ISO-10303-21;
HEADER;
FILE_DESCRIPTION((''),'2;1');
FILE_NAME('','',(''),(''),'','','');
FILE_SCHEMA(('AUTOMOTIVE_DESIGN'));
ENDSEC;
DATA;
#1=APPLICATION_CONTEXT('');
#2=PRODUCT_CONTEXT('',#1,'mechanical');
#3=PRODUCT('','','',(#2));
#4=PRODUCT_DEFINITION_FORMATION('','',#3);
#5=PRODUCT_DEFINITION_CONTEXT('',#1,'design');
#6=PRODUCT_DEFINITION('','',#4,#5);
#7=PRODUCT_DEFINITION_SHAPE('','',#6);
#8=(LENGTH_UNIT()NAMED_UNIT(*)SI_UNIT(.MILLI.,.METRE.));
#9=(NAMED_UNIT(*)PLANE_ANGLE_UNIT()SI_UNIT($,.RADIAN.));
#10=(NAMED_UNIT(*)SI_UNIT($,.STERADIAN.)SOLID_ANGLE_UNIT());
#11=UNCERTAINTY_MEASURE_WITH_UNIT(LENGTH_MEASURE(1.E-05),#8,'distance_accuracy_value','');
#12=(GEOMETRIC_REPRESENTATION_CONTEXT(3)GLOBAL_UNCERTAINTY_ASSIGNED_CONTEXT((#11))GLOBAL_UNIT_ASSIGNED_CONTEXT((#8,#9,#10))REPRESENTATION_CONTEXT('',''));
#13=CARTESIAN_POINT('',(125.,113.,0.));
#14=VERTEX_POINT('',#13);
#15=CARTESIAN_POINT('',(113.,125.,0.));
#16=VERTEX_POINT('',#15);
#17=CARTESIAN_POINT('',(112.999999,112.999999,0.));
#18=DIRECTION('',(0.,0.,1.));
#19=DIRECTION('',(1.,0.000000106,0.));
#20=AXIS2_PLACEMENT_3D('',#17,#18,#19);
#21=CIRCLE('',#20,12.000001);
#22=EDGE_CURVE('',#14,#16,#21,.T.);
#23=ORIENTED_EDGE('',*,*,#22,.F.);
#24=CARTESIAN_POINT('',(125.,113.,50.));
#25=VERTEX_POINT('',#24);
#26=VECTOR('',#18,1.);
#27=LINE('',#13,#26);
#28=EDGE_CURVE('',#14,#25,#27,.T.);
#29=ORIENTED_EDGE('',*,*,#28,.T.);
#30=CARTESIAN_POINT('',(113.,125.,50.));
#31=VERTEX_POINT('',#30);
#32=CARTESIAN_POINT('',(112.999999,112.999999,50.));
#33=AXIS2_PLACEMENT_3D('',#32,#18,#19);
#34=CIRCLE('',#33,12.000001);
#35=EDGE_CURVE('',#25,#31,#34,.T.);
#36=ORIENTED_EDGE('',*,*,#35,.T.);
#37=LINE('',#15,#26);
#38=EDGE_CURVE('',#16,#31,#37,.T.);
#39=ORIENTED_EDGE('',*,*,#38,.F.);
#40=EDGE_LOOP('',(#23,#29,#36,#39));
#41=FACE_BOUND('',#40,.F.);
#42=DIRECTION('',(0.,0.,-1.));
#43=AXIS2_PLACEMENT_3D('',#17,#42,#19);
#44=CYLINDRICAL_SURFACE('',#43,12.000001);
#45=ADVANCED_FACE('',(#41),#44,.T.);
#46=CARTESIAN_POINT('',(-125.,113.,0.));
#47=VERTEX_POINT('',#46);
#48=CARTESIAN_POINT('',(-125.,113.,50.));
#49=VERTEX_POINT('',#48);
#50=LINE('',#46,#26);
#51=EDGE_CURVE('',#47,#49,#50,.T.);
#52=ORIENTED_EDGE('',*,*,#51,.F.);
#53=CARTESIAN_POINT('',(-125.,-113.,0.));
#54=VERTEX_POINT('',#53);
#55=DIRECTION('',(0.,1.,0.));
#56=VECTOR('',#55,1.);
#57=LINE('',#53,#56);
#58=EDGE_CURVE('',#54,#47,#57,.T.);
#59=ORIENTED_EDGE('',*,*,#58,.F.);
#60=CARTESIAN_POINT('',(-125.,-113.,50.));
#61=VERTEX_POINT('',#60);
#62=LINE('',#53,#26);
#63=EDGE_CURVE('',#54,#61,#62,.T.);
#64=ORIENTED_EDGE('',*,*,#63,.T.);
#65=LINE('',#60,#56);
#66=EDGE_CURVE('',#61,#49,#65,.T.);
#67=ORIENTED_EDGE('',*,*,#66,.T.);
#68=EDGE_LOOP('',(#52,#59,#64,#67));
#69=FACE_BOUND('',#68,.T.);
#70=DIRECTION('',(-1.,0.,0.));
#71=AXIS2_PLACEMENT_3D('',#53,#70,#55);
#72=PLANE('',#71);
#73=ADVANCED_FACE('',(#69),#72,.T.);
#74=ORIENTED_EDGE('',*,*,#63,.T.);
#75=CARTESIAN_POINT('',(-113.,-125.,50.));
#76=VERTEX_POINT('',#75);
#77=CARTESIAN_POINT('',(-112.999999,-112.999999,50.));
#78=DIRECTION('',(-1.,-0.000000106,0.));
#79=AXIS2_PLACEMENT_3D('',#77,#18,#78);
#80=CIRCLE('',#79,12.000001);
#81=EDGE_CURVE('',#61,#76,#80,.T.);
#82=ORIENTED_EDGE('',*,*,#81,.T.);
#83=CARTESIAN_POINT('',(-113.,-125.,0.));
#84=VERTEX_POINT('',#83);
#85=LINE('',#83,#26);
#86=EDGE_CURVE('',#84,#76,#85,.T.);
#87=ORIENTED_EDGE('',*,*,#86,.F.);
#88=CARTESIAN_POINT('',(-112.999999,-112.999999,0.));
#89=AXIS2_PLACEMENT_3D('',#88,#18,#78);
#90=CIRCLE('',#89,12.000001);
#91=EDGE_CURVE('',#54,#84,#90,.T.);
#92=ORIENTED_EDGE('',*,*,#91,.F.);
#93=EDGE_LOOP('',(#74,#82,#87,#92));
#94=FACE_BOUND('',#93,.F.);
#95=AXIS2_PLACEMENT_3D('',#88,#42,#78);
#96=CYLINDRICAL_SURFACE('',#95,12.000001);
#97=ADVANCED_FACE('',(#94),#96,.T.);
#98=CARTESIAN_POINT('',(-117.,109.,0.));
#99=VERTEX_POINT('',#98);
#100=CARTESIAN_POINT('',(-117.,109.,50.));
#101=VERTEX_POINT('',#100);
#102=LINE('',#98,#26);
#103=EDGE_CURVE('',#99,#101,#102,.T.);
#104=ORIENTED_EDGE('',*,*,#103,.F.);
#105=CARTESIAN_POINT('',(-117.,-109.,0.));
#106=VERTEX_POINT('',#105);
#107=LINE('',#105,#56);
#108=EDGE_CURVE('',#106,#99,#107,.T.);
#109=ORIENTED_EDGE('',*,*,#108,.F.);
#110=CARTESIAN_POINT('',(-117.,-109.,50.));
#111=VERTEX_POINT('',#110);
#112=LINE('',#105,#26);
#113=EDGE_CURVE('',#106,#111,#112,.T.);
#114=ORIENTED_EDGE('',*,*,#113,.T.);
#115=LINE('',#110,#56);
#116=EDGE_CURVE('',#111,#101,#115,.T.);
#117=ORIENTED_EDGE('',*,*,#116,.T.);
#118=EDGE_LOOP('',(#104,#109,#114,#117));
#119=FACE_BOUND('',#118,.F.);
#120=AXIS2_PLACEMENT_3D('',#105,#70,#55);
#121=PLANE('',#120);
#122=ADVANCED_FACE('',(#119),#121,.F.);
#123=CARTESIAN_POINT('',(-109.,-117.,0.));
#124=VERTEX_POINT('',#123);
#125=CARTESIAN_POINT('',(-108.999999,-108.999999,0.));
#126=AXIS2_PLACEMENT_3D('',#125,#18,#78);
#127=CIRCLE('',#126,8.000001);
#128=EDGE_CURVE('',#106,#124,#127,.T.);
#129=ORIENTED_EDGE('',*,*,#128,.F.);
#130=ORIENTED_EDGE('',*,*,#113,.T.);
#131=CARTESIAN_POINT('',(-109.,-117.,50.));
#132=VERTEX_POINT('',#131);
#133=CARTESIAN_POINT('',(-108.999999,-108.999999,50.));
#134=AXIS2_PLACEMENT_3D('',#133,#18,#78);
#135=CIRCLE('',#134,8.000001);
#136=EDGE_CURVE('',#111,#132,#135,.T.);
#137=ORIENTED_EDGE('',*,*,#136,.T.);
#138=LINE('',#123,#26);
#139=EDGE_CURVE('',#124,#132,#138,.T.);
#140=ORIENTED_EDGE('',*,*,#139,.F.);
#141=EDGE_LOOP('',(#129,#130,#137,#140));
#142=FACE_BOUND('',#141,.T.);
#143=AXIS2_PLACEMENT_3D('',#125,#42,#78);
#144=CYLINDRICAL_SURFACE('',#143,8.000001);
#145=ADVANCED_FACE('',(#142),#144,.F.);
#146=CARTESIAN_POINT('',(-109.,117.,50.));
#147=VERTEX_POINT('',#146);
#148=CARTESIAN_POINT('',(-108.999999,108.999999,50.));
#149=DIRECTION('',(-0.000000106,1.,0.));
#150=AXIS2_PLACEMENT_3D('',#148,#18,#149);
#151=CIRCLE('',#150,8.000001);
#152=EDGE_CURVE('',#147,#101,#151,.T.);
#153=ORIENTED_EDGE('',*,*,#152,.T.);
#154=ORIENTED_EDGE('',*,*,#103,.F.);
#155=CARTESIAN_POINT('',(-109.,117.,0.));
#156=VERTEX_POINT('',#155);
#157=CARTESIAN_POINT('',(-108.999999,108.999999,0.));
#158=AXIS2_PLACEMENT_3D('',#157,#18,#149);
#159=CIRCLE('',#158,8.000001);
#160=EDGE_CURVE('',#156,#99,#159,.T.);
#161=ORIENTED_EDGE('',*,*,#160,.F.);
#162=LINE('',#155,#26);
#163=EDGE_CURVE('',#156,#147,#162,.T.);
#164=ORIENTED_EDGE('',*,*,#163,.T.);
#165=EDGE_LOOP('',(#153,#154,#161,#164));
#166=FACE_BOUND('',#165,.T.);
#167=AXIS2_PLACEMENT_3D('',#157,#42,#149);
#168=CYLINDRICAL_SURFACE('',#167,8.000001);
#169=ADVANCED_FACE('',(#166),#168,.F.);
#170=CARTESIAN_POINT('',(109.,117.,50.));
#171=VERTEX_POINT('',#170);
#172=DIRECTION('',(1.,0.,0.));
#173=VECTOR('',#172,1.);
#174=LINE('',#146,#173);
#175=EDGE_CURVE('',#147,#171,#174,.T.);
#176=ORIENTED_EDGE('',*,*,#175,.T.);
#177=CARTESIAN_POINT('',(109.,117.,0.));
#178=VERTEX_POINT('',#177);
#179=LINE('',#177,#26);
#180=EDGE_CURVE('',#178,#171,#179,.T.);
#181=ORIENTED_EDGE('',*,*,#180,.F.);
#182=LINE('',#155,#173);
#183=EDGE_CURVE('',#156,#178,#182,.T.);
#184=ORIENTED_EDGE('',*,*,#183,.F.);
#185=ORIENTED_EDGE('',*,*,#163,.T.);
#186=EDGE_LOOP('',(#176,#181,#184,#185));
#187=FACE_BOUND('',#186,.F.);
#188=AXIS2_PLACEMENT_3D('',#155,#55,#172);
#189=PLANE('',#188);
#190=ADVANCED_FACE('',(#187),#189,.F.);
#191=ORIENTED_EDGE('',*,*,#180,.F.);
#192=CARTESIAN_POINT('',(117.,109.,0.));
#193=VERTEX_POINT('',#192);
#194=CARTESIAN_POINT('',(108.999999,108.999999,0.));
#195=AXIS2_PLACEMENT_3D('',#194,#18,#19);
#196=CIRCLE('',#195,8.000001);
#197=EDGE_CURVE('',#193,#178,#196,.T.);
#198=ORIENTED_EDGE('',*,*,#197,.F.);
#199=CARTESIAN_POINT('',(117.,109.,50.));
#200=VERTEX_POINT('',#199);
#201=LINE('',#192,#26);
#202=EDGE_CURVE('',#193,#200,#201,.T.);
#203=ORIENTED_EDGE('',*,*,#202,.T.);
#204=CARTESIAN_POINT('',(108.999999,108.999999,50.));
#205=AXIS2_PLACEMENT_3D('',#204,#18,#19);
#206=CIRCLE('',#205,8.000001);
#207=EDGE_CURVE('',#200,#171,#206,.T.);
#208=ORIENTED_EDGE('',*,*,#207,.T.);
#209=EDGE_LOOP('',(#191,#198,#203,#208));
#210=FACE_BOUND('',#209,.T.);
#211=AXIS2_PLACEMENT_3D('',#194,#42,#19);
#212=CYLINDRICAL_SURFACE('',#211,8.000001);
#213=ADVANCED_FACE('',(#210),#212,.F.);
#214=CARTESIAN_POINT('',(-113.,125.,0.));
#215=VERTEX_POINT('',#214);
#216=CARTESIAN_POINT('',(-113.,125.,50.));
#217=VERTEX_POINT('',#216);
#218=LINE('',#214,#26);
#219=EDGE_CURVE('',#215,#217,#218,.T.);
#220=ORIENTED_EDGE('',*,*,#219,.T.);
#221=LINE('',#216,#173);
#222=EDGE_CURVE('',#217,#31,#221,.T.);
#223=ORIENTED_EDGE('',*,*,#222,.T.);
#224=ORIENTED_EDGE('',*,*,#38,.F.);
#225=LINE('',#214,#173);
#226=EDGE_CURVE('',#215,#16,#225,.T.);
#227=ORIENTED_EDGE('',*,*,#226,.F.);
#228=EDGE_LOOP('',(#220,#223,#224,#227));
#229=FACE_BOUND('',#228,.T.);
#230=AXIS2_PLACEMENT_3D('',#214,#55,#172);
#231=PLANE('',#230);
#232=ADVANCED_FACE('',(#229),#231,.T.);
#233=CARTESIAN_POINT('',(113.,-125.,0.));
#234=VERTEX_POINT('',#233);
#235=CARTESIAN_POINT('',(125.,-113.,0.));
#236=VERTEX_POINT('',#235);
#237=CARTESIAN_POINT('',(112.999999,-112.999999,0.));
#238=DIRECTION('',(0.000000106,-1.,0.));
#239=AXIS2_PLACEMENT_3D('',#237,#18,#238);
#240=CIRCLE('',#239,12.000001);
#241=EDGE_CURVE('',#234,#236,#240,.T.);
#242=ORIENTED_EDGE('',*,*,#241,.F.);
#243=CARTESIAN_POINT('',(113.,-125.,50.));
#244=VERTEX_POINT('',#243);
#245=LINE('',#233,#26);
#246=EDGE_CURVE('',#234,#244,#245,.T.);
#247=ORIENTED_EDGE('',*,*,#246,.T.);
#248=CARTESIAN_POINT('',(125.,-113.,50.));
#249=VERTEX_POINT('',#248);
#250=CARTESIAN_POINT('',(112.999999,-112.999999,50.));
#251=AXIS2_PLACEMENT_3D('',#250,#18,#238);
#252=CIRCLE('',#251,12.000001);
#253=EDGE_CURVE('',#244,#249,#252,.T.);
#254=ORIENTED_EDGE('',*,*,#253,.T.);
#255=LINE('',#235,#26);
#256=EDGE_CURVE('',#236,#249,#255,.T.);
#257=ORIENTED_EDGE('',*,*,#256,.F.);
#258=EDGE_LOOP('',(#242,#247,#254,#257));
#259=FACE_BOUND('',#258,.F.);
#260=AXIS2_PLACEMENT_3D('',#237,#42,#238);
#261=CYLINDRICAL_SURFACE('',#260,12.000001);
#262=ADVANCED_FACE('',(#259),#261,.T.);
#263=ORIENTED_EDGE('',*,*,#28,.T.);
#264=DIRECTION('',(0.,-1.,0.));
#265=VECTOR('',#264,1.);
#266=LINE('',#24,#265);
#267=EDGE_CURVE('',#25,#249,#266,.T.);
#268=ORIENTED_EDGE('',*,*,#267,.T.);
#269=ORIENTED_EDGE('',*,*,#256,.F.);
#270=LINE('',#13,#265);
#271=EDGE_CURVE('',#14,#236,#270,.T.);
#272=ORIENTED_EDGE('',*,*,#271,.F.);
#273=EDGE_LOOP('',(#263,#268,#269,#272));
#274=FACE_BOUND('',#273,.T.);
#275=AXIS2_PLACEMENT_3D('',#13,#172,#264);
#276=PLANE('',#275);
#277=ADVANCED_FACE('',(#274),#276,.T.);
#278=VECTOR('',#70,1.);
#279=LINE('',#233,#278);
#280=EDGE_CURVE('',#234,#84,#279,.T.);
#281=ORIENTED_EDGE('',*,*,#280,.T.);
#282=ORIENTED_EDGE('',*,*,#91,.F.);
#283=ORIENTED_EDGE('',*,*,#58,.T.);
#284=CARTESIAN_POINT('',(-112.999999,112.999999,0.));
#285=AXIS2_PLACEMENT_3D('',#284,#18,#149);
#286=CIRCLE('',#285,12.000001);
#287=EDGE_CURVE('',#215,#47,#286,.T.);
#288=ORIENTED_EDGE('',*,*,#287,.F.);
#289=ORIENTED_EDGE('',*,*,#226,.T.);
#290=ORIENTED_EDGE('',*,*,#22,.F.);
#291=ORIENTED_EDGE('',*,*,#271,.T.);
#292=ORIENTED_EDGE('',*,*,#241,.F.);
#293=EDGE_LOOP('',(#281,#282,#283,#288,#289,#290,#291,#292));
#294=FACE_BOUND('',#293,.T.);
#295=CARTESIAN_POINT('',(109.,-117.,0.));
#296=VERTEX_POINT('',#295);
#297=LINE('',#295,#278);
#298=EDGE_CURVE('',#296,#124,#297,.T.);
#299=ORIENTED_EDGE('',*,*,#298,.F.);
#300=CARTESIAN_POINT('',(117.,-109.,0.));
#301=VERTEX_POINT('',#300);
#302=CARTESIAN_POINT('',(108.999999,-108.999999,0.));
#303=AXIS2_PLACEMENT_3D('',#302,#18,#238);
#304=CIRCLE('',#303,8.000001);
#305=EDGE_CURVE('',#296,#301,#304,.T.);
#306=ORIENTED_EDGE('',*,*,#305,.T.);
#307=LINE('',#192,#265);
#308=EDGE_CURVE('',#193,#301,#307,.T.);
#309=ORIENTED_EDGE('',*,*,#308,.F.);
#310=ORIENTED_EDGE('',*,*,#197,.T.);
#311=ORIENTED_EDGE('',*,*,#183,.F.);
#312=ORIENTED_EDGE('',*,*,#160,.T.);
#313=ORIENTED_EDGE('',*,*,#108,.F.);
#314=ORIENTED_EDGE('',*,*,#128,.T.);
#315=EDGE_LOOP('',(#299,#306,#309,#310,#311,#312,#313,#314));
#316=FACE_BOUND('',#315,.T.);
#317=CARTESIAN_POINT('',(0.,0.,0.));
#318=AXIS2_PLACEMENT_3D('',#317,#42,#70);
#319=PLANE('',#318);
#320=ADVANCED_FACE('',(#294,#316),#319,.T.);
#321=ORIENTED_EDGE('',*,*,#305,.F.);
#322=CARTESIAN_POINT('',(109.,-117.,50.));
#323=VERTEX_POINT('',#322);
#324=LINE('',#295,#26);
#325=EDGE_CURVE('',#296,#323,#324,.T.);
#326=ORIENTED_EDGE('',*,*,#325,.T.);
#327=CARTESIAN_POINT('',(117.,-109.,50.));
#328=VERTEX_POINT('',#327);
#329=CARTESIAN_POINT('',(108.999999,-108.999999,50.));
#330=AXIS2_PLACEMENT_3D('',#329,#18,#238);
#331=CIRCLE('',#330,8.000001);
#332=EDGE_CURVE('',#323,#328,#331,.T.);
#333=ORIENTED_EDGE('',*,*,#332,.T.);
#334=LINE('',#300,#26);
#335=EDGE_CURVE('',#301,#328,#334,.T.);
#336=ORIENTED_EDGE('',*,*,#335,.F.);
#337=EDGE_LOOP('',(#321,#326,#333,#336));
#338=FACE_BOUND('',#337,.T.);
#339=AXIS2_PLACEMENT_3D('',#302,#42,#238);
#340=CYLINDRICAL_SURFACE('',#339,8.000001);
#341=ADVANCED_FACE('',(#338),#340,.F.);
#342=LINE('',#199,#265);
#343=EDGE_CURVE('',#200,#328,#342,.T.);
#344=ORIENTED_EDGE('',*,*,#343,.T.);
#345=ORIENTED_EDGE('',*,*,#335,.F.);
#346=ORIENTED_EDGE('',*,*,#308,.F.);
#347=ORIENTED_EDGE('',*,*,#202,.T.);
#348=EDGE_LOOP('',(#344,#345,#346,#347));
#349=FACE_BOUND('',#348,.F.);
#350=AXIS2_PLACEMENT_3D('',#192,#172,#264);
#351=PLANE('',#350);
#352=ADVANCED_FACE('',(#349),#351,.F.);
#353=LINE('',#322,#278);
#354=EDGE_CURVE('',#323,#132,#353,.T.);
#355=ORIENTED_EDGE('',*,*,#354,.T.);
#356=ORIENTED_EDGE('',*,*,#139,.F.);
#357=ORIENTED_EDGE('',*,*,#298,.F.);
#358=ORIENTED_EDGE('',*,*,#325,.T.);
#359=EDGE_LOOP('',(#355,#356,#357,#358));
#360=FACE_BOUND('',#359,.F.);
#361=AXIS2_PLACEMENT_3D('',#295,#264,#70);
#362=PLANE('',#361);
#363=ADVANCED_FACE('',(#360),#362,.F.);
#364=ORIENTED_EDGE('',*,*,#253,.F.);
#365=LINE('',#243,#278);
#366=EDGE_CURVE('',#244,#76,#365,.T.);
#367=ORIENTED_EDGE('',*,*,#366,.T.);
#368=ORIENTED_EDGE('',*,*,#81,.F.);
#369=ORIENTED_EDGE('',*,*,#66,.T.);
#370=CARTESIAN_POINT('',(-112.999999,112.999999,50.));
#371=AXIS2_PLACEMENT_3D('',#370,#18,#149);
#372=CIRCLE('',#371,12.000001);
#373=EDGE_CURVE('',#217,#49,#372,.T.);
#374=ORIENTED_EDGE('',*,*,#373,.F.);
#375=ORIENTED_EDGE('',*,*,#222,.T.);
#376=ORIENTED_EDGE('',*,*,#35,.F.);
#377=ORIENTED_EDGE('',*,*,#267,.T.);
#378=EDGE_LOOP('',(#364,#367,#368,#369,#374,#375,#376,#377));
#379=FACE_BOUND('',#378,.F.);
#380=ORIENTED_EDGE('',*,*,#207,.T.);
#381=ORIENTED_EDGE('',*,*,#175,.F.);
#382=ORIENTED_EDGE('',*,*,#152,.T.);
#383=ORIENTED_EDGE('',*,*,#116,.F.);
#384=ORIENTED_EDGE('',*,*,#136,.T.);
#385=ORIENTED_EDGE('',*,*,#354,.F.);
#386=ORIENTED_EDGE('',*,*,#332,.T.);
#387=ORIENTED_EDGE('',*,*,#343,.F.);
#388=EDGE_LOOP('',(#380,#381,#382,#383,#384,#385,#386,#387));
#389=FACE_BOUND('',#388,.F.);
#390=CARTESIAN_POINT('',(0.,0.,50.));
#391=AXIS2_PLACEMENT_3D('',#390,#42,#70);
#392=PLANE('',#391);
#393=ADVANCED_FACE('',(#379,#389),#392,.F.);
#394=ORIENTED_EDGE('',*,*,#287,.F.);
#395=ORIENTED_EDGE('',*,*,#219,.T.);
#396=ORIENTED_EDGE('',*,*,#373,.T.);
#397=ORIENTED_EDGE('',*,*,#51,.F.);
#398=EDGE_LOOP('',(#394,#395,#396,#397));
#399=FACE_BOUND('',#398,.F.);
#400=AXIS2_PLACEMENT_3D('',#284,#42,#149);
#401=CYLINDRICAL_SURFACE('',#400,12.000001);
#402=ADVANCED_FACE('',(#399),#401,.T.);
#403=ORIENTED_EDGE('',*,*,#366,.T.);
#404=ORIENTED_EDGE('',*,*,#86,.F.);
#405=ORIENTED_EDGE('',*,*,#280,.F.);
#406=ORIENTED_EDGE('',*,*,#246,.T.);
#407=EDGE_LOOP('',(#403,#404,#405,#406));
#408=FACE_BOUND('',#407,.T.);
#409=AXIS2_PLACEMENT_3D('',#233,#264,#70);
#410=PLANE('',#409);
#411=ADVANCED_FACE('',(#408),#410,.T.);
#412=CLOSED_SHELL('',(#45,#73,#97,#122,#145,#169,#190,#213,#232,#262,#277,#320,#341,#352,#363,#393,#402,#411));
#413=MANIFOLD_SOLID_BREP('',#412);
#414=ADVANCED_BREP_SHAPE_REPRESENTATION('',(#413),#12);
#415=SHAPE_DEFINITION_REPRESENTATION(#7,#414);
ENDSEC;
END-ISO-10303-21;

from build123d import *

# Parameters (mm, degrees)
EXTRUDE_DEPTH = 50


with BuildPart() as part:
    # Sketch → Extrude (new body)
    with BuildSketch(Plane.XY):
        with BuildLine():
            Line((-113, 125), (113, 125))
            ThreePointArc((125, 113), (121.485281, 121.485281), (113, 125))
            Line((125, 113), (125, -113))
            ThreePointArc((113, -125), (121.485281, -121.485281), (125, -113))
            Line((113, -125), (-113, -125))
            ThreePointArc((-125, -113), (-121.485281, -121.485281), (-113, -125))
            Line((-125, -113), (-125, 113))
            ThreePointArc((-113, 125), (-121.485281, 121.485281), (-125, 113))
        make_face()
        with BuildLine():
            Line((-109, 117), (109, 117))
            ThreePointArc((117, 109), (114.656854, 114.656854), (109, 117))
            Line((117, 109), (117, -109))
            ThreePointArc((109, -117), (114.656854, -114.656854), (117, -109))
            Line((109, -117), (-109, -117))
            ThreePointArc((-117, -109), (-114.656854, -114.656854), (-109, -117))
            Line((-117, -109), (-117, 109))
            ThreePointArc((-109, 117), (-114.656854, 114.656854), (-117, 109))
        make_face(mode=Mode.SUBTRACT)
    extrude(amount=EXTRUDE_DEPTH)


solid = part.part
